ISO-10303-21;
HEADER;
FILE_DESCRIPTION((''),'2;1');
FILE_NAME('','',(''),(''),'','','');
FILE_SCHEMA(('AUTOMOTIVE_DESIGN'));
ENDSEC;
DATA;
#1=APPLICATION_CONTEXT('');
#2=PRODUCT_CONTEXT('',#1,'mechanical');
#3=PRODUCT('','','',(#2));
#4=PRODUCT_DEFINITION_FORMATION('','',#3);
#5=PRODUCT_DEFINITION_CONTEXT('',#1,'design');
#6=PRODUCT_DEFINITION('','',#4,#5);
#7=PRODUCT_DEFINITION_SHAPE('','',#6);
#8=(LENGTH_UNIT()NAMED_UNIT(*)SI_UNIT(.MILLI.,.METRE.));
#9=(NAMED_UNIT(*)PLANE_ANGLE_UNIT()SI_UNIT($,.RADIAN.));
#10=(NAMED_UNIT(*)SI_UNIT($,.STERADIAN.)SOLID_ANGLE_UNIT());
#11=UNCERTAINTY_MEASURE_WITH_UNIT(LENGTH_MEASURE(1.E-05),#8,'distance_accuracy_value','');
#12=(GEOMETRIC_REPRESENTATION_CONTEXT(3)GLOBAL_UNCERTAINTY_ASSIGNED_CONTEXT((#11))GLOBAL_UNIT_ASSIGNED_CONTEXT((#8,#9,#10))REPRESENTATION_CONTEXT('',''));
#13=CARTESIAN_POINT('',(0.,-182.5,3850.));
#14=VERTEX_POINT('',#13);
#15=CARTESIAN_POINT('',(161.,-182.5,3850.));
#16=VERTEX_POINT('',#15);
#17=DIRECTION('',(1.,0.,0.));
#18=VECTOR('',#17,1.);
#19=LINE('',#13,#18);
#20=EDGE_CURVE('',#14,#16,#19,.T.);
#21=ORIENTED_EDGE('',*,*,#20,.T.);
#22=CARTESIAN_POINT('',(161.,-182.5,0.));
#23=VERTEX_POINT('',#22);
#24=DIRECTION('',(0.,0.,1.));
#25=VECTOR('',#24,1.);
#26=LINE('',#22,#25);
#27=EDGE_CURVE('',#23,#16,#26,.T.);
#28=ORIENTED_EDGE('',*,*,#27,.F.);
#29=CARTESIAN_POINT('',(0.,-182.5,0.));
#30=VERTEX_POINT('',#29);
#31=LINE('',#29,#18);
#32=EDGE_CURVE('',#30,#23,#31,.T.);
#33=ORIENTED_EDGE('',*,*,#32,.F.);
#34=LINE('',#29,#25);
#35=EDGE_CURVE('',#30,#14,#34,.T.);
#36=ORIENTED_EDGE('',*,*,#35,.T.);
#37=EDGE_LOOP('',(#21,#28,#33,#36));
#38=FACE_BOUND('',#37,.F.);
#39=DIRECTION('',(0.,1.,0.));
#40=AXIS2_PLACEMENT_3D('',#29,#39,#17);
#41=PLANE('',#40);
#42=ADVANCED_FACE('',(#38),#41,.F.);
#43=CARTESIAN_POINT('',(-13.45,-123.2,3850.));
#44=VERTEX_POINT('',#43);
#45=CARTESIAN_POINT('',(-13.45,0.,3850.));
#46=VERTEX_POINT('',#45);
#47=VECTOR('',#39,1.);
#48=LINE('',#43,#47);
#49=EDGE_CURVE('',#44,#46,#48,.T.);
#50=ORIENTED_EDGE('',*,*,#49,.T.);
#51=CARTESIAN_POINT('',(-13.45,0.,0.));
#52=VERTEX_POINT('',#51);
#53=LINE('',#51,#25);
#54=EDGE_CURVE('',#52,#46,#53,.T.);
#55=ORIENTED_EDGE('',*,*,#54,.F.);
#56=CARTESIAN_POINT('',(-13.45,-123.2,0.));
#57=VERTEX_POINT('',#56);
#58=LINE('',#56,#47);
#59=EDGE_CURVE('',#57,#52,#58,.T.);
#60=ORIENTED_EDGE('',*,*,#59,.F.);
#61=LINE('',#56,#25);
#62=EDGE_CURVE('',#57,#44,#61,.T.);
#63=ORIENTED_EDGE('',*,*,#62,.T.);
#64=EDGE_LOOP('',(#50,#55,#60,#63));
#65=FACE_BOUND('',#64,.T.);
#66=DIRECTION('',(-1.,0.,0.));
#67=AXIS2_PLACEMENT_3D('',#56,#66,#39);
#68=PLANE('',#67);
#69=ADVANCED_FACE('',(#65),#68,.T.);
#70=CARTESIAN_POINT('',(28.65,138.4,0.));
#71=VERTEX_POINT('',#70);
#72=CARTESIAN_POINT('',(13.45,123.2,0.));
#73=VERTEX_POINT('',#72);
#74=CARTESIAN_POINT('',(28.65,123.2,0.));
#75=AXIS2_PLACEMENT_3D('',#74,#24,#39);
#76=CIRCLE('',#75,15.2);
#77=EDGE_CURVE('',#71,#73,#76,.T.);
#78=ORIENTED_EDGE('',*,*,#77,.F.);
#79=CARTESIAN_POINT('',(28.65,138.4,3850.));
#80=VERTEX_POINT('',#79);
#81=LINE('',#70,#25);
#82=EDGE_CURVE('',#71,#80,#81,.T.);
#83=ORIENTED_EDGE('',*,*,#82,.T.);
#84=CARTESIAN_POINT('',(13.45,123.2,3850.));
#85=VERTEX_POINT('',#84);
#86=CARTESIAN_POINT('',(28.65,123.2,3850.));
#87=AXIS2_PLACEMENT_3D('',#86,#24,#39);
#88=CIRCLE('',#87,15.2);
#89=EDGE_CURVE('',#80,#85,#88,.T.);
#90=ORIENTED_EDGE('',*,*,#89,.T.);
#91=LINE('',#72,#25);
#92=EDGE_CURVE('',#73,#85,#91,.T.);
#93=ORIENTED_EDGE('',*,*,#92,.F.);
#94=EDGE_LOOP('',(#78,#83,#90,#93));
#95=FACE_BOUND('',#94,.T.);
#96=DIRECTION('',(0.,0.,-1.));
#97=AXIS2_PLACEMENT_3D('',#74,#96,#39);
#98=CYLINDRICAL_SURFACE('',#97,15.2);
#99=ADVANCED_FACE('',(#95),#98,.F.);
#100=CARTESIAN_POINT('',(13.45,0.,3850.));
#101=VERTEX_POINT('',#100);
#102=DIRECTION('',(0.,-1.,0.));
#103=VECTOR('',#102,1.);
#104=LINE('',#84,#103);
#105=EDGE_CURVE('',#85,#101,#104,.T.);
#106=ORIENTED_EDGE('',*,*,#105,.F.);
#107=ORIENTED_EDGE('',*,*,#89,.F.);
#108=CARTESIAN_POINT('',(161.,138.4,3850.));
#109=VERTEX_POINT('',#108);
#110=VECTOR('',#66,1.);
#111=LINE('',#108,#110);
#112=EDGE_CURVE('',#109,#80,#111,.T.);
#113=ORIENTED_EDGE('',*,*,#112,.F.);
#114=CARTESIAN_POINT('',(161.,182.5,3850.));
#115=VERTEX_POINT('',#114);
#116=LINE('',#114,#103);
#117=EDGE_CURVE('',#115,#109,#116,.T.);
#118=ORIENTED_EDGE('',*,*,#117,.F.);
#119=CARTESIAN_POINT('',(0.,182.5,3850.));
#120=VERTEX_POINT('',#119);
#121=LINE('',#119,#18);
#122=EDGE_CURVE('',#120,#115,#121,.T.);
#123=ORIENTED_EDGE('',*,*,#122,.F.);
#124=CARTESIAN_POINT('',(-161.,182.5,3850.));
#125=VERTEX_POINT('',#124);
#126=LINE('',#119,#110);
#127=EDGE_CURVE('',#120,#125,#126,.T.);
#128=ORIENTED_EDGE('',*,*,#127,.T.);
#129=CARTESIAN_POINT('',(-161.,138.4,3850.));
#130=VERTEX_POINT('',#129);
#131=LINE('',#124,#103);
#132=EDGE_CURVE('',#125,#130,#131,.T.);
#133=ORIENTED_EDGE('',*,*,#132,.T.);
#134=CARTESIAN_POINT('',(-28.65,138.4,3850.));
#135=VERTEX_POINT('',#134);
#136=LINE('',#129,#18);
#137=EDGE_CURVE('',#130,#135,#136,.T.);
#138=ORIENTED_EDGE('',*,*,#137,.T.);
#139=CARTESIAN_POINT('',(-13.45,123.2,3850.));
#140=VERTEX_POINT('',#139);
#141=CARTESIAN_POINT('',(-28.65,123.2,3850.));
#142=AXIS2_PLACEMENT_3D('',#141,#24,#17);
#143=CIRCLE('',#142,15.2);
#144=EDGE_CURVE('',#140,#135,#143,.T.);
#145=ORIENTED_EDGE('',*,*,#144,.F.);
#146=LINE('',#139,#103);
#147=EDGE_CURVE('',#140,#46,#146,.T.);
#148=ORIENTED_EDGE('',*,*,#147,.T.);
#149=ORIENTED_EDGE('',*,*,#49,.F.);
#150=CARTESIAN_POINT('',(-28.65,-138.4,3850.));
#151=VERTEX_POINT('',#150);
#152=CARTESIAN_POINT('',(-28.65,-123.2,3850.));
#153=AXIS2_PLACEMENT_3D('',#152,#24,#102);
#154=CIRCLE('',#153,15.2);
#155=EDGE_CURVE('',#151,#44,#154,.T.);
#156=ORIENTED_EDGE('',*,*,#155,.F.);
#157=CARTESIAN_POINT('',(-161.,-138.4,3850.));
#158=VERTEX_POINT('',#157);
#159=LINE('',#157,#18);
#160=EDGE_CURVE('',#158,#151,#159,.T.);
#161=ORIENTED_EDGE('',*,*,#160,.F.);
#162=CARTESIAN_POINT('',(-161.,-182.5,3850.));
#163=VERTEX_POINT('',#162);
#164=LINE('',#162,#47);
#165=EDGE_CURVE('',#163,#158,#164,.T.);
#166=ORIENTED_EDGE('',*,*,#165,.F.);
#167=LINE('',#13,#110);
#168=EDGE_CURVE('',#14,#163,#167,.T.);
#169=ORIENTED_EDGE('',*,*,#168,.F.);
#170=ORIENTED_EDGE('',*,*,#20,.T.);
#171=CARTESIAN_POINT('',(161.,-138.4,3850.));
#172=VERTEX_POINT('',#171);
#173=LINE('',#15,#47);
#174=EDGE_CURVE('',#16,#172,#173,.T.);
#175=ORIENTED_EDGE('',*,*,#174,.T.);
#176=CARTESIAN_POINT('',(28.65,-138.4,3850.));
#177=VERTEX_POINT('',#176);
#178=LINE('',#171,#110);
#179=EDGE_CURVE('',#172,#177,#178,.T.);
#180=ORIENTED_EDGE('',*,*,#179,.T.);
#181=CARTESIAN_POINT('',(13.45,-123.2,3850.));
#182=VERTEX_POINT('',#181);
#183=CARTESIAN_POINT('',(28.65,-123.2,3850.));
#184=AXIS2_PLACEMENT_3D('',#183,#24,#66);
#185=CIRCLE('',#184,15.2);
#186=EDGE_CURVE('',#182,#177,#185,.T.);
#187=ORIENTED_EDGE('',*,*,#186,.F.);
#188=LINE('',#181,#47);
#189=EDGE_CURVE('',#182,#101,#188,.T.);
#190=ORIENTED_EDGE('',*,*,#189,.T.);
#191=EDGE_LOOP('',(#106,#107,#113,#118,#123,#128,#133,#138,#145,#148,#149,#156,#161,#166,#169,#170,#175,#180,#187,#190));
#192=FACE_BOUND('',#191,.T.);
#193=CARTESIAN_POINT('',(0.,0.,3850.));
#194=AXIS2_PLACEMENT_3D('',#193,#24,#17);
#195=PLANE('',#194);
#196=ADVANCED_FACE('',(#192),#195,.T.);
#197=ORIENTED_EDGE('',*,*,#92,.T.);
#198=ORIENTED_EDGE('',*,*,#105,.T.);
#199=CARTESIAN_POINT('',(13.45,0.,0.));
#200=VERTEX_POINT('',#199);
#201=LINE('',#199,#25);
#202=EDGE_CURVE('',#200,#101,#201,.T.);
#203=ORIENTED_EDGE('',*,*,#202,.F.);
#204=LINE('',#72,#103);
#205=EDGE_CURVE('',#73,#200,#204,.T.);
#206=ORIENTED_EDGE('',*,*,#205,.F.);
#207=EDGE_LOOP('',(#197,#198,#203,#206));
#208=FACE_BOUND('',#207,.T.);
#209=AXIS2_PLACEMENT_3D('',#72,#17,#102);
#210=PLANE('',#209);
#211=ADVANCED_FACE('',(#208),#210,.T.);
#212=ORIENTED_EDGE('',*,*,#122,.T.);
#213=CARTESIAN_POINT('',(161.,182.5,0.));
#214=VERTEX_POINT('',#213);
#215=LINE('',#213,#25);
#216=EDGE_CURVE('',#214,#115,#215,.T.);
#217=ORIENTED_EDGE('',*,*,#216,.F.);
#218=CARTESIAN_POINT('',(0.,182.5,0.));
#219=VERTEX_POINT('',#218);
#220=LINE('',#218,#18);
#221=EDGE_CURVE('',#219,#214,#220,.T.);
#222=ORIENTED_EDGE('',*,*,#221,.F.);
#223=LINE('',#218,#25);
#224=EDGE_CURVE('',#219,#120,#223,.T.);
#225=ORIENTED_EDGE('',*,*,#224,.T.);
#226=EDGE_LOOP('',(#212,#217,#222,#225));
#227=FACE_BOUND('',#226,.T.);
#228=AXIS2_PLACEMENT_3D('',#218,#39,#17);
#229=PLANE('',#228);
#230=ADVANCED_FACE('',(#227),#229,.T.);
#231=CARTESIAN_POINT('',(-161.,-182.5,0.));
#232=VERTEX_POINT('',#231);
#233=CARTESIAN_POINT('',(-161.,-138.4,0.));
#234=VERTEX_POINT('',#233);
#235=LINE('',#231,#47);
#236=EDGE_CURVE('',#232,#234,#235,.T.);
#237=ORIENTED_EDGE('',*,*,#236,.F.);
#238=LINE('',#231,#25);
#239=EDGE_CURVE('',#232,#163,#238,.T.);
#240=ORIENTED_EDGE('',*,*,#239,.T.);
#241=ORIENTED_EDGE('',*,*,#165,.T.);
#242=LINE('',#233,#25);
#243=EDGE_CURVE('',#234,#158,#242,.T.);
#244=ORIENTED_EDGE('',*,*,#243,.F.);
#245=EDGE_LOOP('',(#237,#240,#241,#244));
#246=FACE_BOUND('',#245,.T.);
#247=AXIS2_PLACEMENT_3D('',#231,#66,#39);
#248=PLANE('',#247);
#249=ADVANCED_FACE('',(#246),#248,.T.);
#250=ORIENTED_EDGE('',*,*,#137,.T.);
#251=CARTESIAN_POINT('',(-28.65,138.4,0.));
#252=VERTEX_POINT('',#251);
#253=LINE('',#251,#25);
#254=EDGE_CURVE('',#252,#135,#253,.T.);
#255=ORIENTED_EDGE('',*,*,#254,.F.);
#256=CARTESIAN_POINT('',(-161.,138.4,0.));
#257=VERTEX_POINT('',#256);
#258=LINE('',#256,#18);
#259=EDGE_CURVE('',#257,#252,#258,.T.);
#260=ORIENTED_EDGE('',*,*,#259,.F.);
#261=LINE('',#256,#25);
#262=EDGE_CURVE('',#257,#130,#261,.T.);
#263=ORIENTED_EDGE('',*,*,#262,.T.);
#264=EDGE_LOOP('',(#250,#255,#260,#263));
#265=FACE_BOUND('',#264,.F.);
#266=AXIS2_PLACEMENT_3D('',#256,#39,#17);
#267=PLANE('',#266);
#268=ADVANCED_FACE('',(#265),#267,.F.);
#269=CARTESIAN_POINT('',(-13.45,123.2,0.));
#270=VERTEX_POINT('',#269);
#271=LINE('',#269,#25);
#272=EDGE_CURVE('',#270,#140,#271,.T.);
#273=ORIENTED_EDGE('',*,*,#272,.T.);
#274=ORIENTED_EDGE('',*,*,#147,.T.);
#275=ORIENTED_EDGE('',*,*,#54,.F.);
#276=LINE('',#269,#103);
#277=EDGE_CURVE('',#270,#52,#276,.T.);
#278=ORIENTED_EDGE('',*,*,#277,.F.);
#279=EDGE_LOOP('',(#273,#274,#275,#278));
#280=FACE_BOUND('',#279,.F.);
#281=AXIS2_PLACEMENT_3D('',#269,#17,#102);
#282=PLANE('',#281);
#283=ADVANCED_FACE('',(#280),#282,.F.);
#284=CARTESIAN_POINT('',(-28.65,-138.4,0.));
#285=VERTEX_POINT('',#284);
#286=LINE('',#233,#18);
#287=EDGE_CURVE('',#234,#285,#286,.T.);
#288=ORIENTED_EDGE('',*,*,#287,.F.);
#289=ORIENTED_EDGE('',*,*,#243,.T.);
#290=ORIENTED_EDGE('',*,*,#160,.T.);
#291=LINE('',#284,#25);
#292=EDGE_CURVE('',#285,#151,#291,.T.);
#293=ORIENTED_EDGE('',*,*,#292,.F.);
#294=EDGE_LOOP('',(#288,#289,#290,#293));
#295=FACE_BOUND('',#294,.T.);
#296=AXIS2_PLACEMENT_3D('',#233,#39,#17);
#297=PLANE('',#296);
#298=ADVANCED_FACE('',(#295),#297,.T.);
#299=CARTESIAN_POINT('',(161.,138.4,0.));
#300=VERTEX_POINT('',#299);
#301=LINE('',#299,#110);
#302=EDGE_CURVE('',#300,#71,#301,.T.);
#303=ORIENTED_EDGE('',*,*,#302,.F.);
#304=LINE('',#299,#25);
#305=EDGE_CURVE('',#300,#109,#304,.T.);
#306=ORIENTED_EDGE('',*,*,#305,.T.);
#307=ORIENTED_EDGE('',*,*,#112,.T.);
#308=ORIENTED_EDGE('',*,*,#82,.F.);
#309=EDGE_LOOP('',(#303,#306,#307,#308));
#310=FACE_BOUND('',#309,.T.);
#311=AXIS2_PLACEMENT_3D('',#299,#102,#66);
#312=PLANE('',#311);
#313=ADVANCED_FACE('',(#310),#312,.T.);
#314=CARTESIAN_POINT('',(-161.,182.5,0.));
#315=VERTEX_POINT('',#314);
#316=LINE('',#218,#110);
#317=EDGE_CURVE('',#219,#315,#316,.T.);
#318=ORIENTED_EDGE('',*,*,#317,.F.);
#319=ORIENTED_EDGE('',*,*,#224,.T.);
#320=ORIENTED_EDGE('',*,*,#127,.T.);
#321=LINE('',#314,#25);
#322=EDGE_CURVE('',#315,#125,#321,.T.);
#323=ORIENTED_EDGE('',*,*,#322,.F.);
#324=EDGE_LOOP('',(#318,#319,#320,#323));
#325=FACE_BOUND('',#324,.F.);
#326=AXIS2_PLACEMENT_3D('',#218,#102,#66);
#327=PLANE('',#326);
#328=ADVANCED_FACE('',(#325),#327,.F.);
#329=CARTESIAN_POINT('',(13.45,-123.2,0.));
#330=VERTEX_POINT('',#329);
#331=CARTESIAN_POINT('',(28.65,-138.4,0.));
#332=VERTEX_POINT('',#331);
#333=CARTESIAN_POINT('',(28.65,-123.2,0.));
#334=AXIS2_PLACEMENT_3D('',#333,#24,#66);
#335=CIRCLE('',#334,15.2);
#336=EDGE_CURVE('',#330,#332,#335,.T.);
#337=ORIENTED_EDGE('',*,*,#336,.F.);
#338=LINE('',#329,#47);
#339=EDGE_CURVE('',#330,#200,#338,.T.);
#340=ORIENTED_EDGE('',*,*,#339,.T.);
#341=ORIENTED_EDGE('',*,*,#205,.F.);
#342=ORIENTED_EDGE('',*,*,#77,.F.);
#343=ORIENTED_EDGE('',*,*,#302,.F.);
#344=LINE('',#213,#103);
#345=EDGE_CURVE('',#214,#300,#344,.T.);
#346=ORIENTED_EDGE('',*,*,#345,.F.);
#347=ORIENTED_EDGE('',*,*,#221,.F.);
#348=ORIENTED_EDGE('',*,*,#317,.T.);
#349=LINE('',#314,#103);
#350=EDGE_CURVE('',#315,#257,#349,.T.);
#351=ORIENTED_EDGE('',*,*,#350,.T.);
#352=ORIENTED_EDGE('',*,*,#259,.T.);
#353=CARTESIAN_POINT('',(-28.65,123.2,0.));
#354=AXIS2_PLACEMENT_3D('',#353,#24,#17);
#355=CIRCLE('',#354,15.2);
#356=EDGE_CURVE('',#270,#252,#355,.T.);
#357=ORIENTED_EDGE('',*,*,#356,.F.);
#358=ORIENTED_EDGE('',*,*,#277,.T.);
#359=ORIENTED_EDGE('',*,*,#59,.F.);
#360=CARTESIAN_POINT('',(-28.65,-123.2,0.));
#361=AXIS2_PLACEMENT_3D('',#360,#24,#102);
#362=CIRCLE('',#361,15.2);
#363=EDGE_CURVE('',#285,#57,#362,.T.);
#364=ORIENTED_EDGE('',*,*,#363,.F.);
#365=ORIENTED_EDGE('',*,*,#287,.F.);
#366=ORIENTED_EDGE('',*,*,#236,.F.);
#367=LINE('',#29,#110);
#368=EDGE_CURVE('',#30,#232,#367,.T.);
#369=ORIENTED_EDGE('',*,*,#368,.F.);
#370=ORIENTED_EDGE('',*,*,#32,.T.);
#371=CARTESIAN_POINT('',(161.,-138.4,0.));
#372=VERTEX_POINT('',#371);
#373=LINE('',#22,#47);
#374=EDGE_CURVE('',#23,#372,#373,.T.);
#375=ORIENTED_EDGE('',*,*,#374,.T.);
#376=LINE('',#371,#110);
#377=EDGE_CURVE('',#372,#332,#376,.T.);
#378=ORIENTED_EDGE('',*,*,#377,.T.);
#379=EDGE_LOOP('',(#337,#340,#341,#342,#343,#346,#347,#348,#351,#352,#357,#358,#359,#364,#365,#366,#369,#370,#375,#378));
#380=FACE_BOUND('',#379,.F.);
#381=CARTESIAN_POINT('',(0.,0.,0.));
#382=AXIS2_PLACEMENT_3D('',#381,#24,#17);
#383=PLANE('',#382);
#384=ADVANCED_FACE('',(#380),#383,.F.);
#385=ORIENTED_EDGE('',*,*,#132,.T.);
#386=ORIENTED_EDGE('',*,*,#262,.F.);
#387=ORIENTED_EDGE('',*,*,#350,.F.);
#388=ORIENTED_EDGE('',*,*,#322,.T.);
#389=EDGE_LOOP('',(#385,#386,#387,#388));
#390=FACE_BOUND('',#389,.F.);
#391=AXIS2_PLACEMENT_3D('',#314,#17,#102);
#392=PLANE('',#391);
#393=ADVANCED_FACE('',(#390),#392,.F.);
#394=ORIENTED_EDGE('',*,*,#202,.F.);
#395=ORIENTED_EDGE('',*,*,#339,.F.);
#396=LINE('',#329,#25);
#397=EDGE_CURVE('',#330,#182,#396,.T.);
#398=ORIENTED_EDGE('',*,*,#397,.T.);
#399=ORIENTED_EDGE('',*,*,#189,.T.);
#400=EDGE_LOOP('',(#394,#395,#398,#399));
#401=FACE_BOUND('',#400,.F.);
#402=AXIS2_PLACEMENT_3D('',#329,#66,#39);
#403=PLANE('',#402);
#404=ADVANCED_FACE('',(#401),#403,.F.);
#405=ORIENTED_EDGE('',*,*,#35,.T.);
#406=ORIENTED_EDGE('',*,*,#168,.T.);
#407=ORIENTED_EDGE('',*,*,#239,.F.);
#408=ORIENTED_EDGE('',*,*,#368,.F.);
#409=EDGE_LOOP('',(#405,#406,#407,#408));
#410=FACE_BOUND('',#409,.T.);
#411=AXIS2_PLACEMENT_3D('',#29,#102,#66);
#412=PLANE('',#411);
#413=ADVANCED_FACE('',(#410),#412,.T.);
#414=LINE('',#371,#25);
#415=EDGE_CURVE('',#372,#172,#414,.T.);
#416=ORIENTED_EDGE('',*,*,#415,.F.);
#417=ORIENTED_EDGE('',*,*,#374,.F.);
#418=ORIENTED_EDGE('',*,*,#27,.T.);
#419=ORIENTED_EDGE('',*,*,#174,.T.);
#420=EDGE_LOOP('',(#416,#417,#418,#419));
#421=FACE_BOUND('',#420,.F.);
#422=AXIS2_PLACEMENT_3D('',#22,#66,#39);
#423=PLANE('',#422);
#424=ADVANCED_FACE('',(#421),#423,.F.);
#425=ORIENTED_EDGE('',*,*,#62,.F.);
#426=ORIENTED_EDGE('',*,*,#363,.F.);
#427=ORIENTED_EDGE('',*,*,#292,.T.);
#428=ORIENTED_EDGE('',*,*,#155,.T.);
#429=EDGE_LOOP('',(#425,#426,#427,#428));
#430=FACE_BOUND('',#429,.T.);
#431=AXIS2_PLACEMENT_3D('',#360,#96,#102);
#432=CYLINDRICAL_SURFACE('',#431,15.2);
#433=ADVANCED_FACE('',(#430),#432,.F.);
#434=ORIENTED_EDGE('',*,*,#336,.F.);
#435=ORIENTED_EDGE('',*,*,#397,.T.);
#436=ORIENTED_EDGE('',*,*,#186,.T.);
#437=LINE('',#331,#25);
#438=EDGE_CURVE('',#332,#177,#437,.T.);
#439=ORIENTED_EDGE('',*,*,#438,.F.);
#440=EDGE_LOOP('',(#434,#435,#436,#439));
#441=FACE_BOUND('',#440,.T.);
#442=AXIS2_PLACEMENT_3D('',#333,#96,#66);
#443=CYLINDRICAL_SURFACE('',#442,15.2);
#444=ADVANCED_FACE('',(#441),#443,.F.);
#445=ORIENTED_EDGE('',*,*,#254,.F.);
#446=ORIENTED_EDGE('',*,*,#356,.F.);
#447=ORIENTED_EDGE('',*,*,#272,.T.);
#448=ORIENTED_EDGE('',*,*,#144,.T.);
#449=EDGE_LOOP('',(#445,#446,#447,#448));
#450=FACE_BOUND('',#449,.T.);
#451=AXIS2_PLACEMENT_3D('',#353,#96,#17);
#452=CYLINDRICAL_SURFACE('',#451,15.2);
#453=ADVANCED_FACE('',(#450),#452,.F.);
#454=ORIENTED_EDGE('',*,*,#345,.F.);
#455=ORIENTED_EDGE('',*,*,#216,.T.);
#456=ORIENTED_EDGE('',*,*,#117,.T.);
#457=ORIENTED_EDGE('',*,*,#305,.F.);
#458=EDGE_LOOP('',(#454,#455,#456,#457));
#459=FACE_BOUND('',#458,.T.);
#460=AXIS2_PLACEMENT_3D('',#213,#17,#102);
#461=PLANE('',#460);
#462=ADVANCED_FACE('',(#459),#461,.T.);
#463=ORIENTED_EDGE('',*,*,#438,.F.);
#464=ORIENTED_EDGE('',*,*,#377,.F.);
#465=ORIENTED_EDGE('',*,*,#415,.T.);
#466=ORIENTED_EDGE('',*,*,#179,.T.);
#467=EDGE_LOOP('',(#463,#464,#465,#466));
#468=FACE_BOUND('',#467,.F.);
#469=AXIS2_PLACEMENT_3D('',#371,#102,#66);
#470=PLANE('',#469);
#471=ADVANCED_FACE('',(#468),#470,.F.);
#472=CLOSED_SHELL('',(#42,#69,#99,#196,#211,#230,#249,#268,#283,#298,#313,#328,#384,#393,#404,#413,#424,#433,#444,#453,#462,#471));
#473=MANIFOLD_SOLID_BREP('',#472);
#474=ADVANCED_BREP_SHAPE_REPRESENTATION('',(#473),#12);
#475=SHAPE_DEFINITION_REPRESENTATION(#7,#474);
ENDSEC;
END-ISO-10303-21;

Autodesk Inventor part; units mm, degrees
ref_plane "YZ Plane" through (0, 0, 0) normal (1, 0, 0) x (0, 1, 0)
ref_plane "Start plane" through (0, 0, 0) normal (0, 0, 1) x (1, 0, 0)
ref_plane "End plane" through (0, 0, 3850) normal (0, 0, 1) x (1, 0, 0)
sketch "Sketch" plane through (0, 0, 0) normal (0, 0, 1) x (1, 0, 0)
  line L0 (-161, -182.5) -> (-161, -138.4)
  line L1 (-161, -138.4) -> (-28.65, -138.4)
  line L2 (-13.45, -123.2) -> (-13.45, 0)
  line L3 (-13.45, 0) -> (0, 0) construction
  line L4 (0, 0) -> (0, -182.5) construction
  line L5 (0, -182.5) -> (-161, -182.5)
  line L6 (-60, 0) -> (80, 0) construction
  line L7 (0, -60) -> (0, 80) construction
  line L8 (161, -182.5) -> (161, -138.4)
  line L9 (161, -138.4) -> (28.65, -138.4)
  line L10 (13.45, -123.2) -> (13.45, 0)
  line L11 (13.45, 0) -> (0, 0) construction
  line L12 (0, -182.5) -> (161, -182.5)
  line L13 (-161, 182.5) -> (-161, 138.4)
  line L14 (-161, 138.4) -> (-28.65, 138.4)
  line L15 (-13.45, 123.2) -> (-13.45, 0)
  line L16 (0, 182.5) -> (-161, 182.5)
  line L17 (161, 182.5) -> (161, 138.4)
  line L18 (161, 138.4) -> (28.65, 138.4)
  line L19 (0, 182.5) -> (161, 182.5)
  line L20 (13.45, 123.2) -> (13.45, 0)
  arc A0 (-13.45, 123.2) -> (-28.65, 138.4) centre (-28.65, 123.2) ccw
  arc A1 (28.65, 138.4) -> (13.45, 123.2) centre (28.65, 123.2) ccw
  arc A2 (13.45, -123.2) -> (28.65, -138.4) centre (28.65, -123.2) ccw
  arc A3 (-28.65, -138.4) -> (-13.45, -123.2) centre (-28.65, -123.2) ccw
  line L21 (0, 108) -> (0, -88) construction
  line L22 (-88, 0) -> (108, 0) construction
  point P0 (-13.45, -138.4)
  point P1 (13.45, -138.4)
  point P2 (-13.45, 138.4)
  point P3 (13.45, 138.4)
  dimension "d1" = 182.5
  dimension "d2" = 44.1
  dimension "d3" = 161
  dimension "d4" = 13.45
  dimension "d10" = 15.2
extrude "Body" add sketch "Sketch" along normal up to surface (3850 mm away) from surface at 0
sketch "Sketch4" plane through (0, 0, 0) normal (0, 0, 1) x (1, 0, 0)
  line L0 (0, 0) -> (10, 0)
ref_plane "Work Plane3" through (0, 0, 0) normal (0, -1, 0) x (1, 0, 0)
sketch "Sketch5" plane through (0, 0, 0) normal (0, -1, 0) x (1, 0, 0)
  line L0 (-2, 0) -> (12, 0) projected
  line L1 (-2, 3850) -> (12, 3850) projected
  dimension "d14" = 3850
equation "\"d1\" = 0.5 * G_H"
equation "\"d2\" = G_T1"
equation "\"d3\" = 0.5 * G_W"
equation "\"d4\" = 0.5 * G_T"
equation "\"d10\" = G_IR"
equation "\"d5\" = G_L"
equation "\"G_W\" = 322"
equation "\"G_H\" = 365"
equation "\"G_T\" = 26.9"
equation "\"G_T1\" = 44.1"
equation "\"G_IR\" = 15.2"
equation "\"G_L\" = d14"
equation "\"G_OFFSET_START\" = 0"
equation "\"G_OFFSET_END\" = 0"
properties part number "AS 3679 - 310 UC - 283 - 3850" material "Steel, Mild"
